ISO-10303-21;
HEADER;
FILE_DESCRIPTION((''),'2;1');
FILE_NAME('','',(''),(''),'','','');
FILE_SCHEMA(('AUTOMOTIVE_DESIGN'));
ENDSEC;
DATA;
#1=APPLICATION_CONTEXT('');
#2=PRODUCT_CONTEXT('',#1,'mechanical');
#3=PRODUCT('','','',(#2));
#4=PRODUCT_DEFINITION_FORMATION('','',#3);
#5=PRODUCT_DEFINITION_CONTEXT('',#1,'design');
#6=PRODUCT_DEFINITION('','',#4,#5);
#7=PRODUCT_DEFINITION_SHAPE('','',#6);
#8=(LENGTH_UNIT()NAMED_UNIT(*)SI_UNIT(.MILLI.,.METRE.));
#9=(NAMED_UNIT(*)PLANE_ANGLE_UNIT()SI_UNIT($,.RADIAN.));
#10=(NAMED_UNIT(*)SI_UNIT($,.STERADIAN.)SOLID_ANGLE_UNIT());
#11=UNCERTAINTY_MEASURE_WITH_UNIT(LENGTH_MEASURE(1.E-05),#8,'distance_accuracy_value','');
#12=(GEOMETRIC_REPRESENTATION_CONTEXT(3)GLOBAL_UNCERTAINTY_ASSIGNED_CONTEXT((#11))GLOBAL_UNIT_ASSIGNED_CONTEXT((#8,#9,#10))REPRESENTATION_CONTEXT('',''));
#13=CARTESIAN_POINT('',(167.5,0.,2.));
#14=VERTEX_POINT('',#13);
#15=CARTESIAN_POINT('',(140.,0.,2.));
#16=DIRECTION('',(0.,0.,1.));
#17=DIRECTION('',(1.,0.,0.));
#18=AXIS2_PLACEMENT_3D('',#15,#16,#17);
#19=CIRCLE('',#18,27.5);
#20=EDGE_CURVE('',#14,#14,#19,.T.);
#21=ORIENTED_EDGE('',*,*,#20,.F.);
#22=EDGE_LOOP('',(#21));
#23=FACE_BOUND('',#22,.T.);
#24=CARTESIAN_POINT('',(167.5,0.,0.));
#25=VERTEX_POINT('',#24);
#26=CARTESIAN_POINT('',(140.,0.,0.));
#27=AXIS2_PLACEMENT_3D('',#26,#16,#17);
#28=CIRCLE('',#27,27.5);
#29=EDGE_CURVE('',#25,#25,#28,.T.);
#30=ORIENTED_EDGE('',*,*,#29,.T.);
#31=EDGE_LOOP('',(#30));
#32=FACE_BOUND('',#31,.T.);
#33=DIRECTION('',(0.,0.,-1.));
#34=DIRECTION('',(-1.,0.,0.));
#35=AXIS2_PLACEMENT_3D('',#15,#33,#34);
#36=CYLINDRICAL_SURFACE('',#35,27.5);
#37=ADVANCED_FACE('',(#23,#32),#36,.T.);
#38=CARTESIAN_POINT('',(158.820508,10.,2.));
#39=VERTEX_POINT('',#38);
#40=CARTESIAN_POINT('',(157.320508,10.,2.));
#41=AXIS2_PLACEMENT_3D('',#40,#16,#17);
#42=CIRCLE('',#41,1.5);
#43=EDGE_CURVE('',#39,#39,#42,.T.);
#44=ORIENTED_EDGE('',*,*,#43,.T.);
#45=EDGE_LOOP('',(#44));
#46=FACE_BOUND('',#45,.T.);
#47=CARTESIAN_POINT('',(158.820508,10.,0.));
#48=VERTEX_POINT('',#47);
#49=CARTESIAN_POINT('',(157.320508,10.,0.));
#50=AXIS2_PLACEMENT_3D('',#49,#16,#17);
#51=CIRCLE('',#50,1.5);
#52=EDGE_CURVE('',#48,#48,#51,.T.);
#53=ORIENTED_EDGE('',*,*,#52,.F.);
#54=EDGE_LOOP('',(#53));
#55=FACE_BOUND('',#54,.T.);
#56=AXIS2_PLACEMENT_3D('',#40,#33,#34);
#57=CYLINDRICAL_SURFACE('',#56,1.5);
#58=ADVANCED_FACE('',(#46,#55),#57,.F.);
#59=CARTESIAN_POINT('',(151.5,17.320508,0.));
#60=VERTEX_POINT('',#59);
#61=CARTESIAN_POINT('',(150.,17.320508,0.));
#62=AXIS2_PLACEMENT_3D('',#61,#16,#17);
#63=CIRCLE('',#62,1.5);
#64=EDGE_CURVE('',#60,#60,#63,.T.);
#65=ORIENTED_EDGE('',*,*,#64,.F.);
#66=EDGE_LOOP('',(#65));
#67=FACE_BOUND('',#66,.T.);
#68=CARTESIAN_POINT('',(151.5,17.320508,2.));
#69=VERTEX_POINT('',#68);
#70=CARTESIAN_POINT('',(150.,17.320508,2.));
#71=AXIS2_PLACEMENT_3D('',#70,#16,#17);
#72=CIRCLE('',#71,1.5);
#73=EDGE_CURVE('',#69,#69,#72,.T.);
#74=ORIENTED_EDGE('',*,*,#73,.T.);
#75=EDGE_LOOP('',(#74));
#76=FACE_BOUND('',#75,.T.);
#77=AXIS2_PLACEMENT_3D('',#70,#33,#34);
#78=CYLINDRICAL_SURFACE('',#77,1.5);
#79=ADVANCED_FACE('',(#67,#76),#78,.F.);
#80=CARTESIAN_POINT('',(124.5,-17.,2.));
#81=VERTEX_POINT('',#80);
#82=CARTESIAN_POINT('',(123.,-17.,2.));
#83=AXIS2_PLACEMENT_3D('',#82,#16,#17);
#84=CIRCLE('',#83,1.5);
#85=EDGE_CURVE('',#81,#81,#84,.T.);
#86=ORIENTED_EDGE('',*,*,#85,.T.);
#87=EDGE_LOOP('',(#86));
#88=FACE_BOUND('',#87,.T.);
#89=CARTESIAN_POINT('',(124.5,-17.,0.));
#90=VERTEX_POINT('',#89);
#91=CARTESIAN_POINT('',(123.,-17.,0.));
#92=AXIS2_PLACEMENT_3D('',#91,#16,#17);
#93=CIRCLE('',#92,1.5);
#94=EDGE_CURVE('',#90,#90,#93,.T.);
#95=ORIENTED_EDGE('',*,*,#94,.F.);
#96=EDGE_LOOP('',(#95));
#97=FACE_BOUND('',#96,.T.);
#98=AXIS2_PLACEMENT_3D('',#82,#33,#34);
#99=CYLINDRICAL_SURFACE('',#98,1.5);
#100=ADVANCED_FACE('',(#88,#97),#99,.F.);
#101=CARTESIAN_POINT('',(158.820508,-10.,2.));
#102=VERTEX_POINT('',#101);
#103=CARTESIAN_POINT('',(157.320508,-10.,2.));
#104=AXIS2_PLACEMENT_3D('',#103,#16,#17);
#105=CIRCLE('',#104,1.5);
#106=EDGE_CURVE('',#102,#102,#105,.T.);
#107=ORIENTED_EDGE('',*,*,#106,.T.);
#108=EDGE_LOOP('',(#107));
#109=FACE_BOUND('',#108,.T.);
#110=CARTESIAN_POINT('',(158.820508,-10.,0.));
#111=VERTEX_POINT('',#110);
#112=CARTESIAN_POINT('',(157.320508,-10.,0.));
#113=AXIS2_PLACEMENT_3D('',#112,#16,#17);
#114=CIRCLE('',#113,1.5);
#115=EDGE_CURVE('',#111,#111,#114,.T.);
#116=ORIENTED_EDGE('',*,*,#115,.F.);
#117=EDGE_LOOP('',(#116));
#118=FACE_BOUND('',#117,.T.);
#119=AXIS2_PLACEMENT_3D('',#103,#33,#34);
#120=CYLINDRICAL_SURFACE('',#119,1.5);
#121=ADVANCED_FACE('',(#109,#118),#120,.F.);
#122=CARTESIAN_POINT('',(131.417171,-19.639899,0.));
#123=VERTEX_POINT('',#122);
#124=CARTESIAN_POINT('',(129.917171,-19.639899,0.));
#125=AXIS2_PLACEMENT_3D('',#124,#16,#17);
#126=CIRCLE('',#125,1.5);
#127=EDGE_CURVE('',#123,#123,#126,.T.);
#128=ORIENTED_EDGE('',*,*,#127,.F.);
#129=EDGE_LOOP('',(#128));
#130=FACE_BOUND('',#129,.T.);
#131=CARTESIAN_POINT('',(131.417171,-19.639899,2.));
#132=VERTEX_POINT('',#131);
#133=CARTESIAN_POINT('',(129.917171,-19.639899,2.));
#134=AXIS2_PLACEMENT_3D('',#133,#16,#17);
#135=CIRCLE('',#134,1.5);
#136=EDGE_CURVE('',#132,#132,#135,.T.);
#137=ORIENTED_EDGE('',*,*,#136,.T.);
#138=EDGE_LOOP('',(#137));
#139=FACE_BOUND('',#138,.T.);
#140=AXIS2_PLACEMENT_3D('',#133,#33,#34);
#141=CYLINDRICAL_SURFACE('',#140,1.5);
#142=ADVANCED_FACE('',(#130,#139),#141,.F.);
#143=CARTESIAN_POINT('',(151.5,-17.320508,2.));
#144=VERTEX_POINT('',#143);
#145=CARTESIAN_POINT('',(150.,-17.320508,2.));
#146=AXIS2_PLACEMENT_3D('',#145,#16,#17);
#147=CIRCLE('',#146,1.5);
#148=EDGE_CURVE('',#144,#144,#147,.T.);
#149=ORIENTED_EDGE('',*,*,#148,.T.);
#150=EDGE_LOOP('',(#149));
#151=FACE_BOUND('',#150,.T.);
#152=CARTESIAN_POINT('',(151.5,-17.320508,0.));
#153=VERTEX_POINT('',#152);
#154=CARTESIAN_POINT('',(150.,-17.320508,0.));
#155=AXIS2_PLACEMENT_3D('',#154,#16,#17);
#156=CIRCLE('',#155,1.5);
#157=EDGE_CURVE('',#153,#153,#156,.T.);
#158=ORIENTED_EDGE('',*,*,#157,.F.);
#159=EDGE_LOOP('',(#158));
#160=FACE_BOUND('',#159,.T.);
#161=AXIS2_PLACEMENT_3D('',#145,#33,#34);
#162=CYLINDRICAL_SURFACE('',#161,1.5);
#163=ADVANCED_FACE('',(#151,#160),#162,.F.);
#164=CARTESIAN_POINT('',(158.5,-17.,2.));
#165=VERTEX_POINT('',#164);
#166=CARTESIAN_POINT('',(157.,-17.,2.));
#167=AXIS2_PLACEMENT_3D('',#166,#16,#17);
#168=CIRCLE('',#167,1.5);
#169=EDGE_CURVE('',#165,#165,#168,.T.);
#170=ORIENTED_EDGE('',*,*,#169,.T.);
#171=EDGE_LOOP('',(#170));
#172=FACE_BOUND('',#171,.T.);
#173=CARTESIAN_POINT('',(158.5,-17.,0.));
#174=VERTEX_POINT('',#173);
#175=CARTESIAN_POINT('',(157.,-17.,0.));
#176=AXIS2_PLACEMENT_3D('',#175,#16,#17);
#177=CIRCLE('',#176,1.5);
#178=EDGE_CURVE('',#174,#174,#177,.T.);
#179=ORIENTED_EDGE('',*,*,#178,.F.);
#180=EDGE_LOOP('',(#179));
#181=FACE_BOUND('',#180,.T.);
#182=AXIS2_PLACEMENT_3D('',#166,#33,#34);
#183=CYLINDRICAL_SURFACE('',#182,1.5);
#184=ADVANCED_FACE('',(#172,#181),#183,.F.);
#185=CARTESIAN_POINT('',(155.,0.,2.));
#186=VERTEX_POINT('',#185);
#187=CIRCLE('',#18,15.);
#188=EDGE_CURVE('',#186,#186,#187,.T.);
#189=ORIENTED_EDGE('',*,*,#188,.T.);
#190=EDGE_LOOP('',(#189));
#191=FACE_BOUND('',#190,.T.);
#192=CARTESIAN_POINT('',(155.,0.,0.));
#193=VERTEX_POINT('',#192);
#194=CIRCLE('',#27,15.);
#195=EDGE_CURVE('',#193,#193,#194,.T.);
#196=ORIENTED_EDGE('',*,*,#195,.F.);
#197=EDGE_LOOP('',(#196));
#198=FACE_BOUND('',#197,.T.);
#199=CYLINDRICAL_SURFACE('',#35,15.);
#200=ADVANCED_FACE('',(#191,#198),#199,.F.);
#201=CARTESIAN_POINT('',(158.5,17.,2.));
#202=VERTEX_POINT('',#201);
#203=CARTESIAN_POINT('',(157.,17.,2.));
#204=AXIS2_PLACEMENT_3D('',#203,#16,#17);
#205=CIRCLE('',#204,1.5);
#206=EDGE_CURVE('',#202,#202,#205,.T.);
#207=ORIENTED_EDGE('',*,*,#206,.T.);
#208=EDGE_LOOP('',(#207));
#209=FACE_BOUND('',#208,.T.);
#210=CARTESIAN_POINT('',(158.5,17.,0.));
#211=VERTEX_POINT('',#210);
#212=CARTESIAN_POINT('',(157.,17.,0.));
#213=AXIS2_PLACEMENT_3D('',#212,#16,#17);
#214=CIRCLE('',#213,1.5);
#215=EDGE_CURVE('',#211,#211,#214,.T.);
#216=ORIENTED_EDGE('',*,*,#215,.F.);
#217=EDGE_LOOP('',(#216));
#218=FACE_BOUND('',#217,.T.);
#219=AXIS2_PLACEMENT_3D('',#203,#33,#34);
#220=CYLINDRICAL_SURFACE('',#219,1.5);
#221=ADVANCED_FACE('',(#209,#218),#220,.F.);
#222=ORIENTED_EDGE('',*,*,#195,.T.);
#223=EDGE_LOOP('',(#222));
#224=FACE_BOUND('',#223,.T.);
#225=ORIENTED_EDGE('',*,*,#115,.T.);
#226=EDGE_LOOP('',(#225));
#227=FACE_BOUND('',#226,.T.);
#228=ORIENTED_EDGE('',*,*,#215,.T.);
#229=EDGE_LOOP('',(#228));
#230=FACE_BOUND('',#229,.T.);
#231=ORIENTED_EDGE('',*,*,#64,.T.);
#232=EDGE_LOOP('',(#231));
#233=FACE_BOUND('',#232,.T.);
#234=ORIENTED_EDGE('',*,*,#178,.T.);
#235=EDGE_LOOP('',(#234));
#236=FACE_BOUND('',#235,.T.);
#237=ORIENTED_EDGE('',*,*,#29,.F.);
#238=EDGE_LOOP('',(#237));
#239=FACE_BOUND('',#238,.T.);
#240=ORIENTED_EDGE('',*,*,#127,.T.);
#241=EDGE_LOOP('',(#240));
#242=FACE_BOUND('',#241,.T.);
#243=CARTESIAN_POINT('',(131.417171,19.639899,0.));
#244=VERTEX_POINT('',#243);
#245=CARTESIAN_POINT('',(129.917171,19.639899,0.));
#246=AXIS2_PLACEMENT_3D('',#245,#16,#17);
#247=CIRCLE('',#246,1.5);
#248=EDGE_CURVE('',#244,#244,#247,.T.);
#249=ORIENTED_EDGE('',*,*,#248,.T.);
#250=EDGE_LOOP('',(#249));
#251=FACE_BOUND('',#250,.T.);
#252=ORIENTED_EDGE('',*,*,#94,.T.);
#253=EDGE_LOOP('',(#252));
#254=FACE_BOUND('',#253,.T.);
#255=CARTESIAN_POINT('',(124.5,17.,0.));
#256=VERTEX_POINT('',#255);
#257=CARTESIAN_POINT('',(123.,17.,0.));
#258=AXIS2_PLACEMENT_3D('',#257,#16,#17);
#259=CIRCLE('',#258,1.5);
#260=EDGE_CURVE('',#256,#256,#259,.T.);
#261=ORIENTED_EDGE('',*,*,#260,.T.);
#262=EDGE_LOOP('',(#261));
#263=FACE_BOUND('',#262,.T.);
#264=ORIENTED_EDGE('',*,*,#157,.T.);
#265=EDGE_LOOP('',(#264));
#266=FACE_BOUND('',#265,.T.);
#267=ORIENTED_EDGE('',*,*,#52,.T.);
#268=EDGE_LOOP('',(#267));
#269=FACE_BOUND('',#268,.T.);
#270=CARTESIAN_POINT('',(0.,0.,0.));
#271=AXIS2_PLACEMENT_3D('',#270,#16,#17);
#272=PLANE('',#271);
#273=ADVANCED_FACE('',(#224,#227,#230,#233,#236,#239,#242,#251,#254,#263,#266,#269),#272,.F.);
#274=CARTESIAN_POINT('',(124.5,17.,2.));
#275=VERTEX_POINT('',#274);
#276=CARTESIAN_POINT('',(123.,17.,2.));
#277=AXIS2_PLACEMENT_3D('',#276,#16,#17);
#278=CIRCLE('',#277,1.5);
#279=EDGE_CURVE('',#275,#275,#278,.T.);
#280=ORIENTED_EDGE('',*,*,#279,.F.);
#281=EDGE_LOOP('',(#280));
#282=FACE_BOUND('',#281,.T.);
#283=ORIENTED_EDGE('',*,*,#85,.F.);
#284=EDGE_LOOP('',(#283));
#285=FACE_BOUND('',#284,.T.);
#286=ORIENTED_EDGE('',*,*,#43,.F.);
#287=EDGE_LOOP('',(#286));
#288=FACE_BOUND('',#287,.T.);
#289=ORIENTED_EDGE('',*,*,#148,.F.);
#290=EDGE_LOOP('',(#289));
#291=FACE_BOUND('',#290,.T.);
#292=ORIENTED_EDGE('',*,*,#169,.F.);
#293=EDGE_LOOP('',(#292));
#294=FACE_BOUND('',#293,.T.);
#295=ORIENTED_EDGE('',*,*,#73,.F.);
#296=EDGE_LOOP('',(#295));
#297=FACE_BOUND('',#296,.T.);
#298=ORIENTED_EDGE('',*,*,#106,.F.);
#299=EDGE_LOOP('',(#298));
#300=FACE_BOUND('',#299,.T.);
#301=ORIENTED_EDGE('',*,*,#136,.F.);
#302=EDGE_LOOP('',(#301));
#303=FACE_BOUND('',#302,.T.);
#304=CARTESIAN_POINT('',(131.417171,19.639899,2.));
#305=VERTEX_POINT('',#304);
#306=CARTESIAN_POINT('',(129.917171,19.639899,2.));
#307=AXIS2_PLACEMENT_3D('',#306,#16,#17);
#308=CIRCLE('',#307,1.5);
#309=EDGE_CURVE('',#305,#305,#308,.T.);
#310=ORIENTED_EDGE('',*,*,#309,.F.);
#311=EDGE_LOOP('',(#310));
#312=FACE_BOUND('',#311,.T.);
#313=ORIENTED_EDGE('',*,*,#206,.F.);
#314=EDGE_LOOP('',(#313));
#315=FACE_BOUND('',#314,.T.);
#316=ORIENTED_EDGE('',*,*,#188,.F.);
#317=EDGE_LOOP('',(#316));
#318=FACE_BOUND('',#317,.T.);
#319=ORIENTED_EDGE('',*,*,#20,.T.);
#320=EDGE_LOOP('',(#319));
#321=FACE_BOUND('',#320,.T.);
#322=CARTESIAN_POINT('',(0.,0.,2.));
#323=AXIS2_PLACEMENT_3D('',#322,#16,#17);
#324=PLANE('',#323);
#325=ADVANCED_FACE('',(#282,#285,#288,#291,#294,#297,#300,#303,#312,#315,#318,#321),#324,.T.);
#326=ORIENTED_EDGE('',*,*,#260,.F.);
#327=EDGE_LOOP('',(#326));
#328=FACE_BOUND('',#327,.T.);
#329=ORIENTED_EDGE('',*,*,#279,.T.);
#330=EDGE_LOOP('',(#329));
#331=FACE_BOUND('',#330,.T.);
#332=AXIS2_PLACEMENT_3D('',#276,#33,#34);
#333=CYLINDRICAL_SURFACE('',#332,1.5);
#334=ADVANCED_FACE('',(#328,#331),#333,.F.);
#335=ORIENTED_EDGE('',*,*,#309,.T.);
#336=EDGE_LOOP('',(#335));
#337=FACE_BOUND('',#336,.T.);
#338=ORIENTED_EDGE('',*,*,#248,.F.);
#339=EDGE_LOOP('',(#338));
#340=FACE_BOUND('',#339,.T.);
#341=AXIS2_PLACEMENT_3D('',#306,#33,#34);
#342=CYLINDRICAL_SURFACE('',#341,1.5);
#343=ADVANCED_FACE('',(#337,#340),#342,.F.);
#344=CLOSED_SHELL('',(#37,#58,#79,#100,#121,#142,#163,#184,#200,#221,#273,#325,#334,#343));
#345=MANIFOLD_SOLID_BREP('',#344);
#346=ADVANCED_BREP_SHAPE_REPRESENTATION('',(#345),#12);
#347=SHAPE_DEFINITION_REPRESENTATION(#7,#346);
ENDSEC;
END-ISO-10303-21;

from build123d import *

# Parameters (mm, degrees)
SKETCH_2_R      = 27.5
SKETCH_2_R_2    = 15
SKETCH_2_R_3    = 1.5
EXTRUDE_4_DEPTH = 2


with BuildPart() as part:
    # 草图2 → 凸台-拉伸4 (new body)
    with BuildSketch(Plane.XY):
        with Locations((139.999999999, 2e-09)):
            Circle(SKETCH_2_R)
        with Locations((139.999999999, 2e-09)):
            Circle(SKETCH_2_R_2, mode=Mode.SUBTRACT)
        with Locations((156.999999999, -16.999999998)):
            Circle(SKETCH_2_R_3, mode=Mode.SUBTRACT)
        with Locations((122.999999999, -16.999999998)):
            Circle(SKETCH_2_R_3, mode=Mode.SUBTRACT)
        with Locations((122.999999999, 17.000000002)):
            Circle(SKETCH_2_R_3, mode=Mode.SUBTRACT)
        with Locations((156.999999999, 17.000000002)):
            Circle(SKETCH_2_R_3, mode=Mode.SUBTRACT)
        with Locations((149.999999999, 17.320508077)):
            Circle(SKETCH_2_R_3, mode=Mode.SUBTRACT)
        with Locations((129.917171064, 19.639898968)):
            Circle(SKETCH_2_R_3, mode=Mode.SUBTRACT)
        with Locations((129.917171064, -19.639898965)):
            Circle(SKETCH_2_R_3, mode=Mode.SUBTRACT)
        with Locations((149.999999999, -17.320508074)):
            Circle(SKETCH_2_R_3, mode=Mode.SUBTRACT)
        with Locations((157.320508075, -9.999999999)):
            Circle(SKETCH_2_R_3, mode=Mode.SUBTRACT)
        with Locations((157.320508075, 10.000000001)):
            Circle(SKETCH_2_R_3, mode=Mode.SUBTRACT)
    extrude(amount=EXTRUDE_4_DEPTH)


solid = part.part
